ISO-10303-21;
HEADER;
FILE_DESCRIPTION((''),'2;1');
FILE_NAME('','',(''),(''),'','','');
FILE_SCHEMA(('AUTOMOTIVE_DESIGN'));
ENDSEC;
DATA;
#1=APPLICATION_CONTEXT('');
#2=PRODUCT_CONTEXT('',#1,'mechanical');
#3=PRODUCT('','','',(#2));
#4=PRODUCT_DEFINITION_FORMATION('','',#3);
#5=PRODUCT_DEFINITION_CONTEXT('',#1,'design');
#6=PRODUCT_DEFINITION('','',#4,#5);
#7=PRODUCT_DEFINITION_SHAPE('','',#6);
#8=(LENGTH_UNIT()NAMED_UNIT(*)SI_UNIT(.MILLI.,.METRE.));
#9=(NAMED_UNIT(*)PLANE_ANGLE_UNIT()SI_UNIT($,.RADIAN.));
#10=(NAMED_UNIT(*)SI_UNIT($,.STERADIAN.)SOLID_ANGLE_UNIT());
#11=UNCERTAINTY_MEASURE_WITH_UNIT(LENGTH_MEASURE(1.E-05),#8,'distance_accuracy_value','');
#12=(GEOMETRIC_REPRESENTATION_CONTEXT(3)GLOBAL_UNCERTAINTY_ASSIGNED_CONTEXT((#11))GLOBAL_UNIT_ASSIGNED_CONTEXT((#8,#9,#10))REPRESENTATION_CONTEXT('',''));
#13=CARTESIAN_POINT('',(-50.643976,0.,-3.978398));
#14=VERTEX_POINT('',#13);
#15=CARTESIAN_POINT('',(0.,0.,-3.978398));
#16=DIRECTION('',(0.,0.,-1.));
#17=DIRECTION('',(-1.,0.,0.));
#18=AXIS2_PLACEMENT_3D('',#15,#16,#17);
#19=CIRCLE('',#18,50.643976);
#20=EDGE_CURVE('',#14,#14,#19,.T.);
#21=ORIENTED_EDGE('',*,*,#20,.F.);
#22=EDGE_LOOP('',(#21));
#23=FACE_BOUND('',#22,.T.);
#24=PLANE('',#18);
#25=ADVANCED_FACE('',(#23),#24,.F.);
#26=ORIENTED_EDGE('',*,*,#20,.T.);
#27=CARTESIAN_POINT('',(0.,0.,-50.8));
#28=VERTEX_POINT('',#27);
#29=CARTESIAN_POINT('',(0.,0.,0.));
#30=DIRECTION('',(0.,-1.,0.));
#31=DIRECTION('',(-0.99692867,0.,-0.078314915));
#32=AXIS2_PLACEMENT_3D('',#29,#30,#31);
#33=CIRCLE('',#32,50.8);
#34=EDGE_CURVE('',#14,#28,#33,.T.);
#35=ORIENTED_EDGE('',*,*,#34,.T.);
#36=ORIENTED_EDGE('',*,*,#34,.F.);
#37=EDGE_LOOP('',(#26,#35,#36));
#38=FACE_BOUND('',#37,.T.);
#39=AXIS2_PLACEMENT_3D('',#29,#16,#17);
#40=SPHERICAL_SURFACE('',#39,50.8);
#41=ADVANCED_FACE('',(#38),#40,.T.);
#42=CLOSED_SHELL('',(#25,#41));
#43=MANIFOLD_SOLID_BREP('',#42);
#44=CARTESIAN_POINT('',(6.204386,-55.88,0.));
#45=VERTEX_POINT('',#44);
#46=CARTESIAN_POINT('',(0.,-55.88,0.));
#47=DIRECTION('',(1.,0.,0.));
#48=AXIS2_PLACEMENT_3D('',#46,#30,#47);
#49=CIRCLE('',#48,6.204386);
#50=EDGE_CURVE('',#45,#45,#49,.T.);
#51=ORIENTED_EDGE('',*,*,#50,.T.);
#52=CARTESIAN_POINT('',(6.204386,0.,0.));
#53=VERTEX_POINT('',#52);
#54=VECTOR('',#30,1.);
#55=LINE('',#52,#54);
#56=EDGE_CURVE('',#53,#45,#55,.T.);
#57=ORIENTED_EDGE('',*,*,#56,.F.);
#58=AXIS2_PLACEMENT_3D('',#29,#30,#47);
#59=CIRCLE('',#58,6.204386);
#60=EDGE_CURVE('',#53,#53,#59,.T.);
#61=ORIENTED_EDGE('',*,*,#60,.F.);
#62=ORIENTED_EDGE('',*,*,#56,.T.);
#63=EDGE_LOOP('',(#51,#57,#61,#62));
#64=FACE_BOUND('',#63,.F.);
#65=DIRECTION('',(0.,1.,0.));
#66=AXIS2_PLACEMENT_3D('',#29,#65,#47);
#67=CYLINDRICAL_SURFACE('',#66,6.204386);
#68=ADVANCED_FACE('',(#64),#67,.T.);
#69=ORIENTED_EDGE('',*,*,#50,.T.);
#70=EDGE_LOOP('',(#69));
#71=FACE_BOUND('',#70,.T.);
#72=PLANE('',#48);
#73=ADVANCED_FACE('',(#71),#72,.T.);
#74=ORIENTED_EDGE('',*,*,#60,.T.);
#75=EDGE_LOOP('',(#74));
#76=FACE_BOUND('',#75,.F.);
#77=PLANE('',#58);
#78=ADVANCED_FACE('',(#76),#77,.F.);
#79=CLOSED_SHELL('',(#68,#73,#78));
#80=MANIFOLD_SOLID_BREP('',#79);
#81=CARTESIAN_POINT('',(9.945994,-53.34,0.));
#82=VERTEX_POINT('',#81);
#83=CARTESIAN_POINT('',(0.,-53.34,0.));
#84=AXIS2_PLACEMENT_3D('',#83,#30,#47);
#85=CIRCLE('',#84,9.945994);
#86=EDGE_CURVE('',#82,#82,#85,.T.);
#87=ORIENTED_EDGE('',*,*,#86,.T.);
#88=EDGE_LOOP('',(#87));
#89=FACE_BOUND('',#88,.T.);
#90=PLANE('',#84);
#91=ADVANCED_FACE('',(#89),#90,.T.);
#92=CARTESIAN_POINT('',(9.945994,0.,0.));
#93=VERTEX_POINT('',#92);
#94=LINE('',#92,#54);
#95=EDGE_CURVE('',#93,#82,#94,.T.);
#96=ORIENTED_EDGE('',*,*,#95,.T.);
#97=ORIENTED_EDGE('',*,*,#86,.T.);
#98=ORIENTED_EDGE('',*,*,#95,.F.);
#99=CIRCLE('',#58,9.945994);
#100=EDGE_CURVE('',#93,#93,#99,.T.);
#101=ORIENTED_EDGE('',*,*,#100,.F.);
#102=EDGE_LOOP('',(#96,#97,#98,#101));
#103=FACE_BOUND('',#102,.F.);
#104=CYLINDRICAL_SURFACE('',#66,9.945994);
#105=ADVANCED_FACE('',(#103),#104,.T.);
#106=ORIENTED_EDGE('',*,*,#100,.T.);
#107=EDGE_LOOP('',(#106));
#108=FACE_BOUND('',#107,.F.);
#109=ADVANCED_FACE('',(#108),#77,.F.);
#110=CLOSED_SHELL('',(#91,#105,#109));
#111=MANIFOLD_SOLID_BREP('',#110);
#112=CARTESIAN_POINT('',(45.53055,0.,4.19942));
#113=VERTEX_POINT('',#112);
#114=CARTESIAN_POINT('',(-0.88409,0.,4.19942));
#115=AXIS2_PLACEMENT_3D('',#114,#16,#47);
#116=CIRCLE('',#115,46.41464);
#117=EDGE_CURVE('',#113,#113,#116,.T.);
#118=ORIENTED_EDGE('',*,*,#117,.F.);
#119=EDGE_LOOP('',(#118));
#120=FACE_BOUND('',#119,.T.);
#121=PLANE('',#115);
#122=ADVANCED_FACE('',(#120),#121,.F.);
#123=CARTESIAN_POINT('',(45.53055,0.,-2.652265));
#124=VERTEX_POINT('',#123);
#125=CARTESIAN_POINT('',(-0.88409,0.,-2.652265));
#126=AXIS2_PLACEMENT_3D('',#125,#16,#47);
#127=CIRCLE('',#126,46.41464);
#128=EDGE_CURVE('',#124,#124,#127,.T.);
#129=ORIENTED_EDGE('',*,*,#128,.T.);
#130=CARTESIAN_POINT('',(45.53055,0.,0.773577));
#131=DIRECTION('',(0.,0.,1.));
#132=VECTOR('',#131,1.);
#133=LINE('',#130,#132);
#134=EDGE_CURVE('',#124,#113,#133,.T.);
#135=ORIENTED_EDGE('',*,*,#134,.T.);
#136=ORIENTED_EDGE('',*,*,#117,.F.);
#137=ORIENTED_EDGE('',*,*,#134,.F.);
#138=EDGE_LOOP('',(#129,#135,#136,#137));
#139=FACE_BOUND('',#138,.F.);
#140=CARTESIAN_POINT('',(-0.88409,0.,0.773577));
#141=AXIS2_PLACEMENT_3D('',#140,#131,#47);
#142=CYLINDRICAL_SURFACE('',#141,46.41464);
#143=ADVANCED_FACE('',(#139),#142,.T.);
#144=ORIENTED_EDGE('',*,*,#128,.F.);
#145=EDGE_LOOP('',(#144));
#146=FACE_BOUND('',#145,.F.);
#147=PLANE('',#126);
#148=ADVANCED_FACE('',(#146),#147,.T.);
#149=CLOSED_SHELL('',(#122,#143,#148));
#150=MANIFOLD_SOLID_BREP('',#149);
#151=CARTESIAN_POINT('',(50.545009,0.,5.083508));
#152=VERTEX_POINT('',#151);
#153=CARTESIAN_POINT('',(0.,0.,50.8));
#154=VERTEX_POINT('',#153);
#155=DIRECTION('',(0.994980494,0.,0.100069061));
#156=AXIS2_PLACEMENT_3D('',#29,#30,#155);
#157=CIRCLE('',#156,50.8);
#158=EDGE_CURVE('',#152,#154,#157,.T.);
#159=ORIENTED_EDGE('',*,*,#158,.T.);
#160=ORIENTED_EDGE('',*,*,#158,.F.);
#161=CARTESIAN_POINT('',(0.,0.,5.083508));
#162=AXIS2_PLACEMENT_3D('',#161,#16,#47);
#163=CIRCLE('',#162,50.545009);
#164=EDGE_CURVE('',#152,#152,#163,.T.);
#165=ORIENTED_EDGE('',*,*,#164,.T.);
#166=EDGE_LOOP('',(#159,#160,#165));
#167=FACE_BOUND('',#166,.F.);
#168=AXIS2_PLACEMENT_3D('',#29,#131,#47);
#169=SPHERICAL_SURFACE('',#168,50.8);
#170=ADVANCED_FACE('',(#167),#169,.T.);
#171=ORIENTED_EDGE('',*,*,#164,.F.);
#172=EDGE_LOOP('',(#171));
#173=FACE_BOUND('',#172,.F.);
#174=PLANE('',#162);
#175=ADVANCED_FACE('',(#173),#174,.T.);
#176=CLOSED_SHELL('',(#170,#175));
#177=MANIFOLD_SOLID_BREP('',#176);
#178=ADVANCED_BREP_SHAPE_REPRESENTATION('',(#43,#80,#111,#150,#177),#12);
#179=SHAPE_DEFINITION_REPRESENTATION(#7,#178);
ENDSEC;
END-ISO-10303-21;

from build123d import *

# Parameters (mm, degrees)
F2_W     = 46.4146398008
F2_H     = 6.8516854662
F4_R     = 9.945994243
F6_DEPTH = 53.34
F5_R     = 6.2043861282
F7_DEPTH = 55.88


with BuildPart() as f1:
    # F0 (on Front) → F1 (revolve)
    with BuildSketch(Plane.XZ):
        with BuildLine():
            Line((0, 5.0835083239), (50.5450090822, 5.0835083239))
            ThreePointArc((50.5450090822, 5.0835083239), (34.0763684769, 37.6754709516), (0, 50.8))
            Line((0, 50.8), (0, 5.0835083239))
        make_face()
    revolve(axis=Axis((0, 0, -1.7681755126), (0, 0, -1)))


with BuildPart() as f1b:
    # F0 (on Front) → F1, piece 2 (revolve)
    with BuildSketch(Plane.XZ):
        with BuildLine():
            ThreePointArc((-50.6439764608, -3.9783976972), (-34.4857753065, -37.3010898166), (0, -50.8))
            Line((0, -50.8), (0, -3.9783976972))
            Line((0, -3.9783976972), (-50.6439764608, -3.9783976972))
        make_face()
    revolve(axis=Axis((0, 0, -1.7681755126), (0, 0, -1)))


with BuildPart() as f3:
    # F2 (on Front) → F3 (revolve)
    with BuildSketch(Plane.XZ):
        with Locations((22.3232302815, 0.7735773688)):
            Rectangle(F2_W, F2_H)
    revolve(axis=Axis((-0.8840896189, 0, 0.7735773688), (0, 0, -1)))


with BuildPart() as f6:
    # F4 (on Front) → F6 (new body)
    with BuildSketch(Plane.XZ):
        Circle(F4_R)
    extrude(amount=F6_DEPTH)


with BuildPart() as f7:
    # F5 (on Front) → F7 (new body)
    with BuildSketch(Plane.XZ):
        Circle(F5_R)
    extrude(amount=F7_DEPTH)


solid = Compound([f1.part, f1b.part, f3.part, f6.part, f7.part])
